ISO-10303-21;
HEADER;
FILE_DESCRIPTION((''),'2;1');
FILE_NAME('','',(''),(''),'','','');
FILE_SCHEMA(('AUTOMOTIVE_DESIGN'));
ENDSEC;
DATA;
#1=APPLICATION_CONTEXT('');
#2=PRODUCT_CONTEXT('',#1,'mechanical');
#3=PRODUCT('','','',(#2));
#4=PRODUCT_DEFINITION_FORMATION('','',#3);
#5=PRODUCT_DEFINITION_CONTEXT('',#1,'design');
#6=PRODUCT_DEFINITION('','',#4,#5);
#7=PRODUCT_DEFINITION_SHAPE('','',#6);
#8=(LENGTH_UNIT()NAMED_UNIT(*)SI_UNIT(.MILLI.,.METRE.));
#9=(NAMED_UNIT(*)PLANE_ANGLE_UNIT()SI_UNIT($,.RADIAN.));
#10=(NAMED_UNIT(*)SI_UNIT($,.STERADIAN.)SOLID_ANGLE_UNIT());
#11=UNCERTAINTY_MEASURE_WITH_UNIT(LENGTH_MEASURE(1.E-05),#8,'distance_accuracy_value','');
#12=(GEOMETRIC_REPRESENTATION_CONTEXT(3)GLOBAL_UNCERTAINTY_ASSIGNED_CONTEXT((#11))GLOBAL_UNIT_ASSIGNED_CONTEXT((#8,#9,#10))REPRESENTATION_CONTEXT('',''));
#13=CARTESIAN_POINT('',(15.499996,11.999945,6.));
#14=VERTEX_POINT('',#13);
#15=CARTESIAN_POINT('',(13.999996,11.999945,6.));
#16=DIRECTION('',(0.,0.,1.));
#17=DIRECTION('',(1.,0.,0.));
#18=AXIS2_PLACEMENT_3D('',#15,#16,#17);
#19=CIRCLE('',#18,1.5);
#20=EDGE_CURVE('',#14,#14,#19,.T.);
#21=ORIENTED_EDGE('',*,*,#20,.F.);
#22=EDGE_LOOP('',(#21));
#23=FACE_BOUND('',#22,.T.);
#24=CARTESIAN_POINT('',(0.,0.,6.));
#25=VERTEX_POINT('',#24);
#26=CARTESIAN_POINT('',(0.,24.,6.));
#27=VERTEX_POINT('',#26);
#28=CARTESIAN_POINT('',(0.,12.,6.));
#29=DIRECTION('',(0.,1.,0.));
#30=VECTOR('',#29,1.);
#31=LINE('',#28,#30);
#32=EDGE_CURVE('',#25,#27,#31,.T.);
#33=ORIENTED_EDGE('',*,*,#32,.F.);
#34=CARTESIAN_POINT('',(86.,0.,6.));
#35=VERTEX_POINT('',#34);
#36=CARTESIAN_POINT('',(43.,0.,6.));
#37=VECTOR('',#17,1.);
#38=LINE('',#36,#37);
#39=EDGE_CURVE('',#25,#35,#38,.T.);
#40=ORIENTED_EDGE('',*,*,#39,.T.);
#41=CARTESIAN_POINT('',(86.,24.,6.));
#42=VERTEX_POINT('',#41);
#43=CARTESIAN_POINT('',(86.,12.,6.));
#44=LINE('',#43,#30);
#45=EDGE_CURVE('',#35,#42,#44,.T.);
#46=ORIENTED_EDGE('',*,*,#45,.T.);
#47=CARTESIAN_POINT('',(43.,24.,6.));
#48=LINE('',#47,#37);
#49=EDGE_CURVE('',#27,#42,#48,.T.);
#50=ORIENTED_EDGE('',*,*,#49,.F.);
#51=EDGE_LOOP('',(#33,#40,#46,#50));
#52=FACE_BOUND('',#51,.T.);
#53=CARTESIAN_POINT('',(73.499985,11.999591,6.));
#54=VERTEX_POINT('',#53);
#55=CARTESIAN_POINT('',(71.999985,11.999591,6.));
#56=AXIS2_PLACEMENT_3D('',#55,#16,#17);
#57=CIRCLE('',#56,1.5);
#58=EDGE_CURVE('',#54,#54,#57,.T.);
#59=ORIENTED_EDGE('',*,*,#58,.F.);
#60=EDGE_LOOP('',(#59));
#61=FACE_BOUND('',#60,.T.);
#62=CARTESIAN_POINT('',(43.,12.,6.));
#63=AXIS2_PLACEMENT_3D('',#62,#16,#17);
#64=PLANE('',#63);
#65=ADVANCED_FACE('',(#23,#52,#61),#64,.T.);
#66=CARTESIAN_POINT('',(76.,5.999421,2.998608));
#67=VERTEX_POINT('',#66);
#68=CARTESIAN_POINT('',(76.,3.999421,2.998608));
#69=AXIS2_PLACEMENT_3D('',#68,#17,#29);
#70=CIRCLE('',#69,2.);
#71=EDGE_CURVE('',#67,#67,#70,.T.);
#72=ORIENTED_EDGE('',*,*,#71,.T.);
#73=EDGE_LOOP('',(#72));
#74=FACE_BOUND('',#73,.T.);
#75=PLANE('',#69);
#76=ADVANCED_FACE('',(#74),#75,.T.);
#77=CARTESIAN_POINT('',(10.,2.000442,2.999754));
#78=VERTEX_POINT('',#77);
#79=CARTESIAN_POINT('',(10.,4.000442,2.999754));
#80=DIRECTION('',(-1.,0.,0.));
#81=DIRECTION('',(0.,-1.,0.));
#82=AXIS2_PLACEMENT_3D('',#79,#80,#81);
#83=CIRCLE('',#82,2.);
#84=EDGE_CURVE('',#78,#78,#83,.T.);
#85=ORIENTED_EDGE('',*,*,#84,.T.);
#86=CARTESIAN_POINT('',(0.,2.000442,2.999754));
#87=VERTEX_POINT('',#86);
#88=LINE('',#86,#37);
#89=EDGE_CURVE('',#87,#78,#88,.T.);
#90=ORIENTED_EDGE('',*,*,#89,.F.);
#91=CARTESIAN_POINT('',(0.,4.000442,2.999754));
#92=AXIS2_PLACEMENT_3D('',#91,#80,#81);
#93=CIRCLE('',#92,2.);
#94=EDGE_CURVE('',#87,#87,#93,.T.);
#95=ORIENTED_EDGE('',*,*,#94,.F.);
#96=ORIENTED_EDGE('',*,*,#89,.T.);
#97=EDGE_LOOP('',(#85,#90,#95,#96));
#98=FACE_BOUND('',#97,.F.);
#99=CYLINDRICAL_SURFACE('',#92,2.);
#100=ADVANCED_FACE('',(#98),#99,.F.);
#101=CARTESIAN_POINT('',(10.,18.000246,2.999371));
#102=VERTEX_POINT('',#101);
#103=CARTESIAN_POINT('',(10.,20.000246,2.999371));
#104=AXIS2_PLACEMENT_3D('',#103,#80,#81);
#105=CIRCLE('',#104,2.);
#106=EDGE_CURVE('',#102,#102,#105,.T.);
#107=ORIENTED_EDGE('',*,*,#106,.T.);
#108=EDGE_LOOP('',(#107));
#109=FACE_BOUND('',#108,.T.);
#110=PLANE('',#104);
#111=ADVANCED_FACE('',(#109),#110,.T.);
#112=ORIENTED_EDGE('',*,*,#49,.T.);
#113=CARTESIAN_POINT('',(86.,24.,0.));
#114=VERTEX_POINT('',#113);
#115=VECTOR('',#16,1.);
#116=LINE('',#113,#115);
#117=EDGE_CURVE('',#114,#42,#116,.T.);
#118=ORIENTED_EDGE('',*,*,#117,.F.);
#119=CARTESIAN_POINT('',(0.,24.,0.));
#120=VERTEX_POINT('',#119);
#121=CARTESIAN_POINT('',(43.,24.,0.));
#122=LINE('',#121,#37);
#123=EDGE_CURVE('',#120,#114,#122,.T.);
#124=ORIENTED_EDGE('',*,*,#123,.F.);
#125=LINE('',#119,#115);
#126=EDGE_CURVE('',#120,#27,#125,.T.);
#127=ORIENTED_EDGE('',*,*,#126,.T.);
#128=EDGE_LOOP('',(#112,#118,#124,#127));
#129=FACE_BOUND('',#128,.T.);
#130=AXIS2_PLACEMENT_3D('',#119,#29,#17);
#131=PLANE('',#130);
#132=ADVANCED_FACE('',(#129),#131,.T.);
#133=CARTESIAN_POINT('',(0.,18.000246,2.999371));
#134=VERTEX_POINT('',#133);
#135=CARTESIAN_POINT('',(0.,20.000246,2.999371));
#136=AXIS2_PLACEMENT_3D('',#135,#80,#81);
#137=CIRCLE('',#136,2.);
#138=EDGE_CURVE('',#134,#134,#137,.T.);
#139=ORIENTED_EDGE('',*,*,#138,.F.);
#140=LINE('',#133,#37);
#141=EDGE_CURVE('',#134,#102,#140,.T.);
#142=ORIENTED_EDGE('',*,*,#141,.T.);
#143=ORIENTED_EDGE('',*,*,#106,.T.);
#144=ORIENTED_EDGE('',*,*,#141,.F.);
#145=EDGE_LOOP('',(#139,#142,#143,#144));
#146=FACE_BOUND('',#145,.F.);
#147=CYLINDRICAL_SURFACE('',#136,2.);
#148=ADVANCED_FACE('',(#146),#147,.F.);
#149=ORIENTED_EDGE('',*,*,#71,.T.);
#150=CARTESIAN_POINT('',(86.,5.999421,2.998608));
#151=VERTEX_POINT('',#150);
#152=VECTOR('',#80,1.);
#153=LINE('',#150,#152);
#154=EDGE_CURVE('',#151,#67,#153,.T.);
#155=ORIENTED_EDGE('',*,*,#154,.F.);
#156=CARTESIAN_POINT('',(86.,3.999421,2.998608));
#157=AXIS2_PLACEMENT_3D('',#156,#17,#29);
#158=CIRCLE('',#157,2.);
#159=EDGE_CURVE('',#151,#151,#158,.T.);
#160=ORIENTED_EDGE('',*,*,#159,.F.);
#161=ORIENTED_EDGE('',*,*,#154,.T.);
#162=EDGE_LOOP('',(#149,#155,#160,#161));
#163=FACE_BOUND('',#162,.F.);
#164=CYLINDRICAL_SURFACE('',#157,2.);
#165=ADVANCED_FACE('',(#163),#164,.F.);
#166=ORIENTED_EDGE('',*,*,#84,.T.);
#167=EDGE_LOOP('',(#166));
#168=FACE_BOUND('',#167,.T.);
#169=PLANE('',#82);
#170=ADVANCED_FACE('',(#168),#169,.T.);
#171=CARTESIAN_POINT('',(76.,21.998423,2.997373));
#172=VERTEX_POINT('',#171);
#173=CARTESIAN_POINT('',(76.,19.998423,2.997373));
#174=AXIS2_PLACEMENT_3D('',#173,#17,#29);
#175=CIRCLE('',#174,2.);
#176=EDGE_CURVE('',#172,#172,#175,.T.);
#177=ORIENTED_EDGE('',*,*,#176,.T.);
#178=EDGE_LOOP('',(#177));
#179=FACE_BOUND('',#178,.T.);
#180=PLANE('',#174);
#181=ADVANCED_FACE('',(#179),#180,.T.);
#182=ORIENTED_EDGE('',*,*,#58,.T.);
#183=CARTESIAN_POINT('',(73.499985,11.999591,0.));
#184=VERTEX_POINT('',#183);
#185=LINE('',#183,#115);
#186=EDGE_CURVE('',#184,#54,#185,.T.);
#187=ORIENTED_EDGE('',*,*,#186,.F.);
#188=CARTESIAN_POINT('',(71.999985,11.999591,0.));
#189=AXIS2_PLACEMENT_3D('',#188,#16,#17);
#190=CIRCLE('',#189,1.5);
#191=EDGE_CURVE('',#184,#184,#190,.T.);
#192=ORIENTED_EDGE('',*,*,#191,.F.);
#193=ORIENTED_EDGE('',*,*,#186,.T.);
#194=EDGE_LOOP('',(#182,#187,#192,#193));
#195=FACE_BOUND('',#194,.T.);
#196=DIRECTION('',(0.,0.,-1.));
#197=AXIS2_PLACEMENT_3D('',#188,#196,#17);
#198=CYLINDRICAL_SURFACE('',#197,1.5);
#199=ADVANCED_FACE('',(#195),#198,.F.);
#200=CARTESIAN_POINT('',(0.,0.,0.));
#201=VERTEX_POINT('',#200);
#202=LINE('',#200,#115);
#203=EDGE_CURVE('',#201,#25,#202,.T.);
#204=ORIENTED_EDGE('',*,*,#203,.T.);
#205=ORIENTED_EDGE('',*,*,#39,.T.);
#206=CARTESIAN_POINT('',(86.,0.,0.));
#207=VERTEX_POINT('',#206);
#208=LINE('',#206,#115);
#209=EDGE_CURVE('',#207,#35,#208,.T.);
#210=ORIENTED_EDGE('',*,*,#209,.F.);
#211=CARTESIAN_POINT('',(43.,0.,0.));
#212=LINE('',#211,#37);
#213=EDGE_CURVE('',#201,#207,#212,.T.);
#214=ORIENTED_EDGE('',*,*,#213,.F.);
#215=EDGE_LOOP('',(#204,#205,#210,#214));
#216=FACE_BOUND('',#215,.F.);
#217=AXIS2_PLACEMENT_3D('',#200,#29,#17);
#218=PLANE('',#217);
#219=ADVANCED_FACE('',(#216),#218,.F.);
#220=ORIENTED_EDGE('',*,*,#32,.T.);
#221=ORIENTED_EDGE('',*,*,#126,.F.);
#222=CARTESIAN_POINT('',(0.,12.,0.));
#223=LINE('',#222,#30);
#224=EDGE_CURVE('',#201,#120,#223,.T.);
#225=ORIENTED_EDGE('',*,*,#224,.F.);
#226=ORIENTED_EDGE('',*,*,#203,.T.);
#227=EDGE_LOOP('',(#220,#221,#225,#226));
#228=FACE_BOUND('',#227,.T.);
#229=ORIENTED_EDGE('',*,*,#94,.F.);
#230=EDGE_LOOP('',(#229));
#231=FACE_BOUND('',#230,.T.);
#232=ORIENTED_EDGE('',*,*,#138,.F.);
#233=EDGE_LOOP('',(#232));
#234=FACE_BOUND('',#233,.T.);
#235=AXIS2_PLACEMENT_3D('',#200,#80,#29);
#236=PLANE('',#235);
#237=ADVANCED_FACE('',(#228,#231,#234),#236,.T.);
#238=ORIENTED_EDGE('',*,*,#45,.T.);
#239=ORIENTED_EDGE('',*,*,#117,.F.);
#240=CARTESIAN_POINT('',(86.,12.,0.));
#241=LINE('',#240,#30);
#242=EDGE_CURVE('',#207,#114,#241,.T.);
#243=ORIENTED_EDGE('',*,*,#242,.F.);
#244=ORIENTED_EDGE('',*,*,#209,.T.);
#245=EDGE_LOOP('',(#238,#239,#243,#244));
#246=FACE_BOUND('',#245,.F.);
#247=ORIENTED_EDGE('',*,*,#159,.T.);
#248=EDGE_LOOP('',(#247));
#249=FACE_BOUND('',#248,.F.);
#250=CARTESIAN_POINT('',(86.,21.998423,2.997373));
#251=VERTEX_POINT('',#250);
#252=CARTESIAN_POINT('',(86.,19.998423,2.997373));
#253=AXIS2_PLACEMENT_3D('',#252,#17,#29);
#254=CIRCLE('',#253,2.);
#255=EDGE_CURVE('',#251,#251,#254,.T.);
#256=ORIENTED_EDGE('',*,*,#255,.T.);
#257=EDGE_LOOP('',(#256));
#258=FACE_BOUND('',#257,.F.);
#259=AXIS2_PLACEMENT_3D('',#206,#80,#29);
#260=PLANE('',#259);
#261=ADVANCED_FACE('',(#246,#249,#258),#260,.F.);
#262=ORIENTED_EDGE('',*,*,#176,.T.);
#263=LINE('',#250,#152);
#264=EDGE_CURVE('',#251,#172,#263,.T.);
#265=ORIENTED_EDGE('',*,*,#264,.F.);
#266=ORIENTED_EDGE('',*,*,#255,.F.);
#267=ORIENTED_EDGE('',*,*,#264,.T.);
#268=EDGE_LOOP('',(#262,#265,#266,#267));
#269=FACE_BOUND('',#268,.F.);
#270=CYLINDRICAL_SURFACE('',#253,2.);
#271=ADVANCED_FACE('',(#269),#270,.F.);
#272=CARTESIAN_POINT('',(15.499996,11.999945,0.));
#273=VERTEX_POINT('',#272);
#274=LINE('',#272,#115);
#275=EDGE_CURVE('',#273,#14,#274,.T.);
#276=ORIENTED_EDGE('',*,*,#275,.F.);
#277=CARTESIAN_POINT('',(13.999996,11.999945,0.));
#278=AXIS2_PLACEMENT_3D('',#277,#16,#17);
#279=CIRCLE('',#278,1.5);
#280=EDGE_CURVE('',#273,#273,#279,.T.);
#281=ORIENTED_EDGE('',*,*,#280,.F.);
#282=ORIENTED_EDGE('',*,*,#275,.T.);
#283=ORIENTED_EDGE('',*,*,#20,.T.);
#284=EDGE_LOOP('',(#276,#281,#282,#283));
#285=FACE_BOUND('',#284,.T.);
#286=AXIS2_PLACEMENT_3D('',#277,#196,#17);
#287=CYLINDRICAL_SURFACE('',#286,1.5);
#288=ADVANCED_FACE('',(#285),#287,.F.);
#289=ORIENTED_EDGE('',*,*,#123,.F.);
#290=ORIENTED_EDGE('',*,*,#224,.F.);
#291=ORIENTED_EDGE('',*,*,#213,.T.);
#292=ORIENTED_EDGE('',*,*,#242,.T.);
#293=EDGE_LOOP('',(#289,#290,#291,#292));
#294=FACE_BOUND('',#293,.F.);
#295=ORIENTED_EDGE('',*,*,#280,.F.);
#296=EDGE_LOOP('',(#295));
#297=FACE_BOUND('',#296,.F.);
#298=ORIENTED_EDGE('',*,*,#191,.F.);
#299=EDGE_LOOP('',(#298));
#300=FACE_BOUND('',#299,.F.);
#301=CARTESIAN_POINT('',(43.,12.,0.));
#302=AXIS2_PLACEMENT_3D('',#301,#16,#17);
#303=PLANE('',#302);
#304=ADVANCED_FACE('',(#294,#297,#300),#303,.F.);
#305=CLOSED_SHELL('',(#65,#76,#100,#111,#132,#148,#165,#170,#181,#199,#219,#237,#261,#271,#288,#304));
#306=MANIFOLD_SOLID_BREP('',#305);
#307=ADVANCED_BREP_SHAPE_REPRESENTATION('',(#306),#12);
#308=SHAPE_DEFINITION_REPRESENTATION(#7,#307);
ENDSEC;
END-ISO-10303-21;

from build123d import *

# Parameters (mm, degrees)
SKETCH_W        = 86
SKETCH_H        = 24
SKETCH_R        = 1.5
PAD_DEPTH       = 6
SKETCH002_R     = 2
POCKET_DEPTH    = 10
SKETCH003_R     = 2
POCKET001_DEPTH = 10


with BuildPart() as part:
    # Sketch → Pad (new body)
    with BuildSketch(Plane.XY):
        with Locations((43, 12)):
            Rectangle(SKETCH_W, SKETCH_H)
        with Locations((13.999996, 11.999945)):
            Circle(SKETCH_R, mode=Mode.SUBTRACT)
        with Locations((71.999985, 11.999591)):
            Circle(SKETCH_R, mode=Mode.SUBTRACT)
    extrude(amount=PAD_DEPTH)

    # Sketch002 (on Face2 of Pad) → Pocket (cut)
    with BuildSketch(Plane.YZ.offset(86)):
        with Locations((3.999421, 2.998608)):
            Circle(SKETCH002_R)
        with Locations((19.998423, 2.997373)):
            Circle(SKETCH002_R)
    extrude(amount=-POCKET_DEPTH, mode=Mode.SUBTRACT)

    # Sketch003 (on Face2 of Pocket) → Pocket001 (cut)
    with BuildSketch(Plane(origin=(0, 0, 0), x_dir=(0, -1, 0), z_dir=(-1, 0, 0))):
        with Locations((-4.000442, 2.999754)):
            Circle(SKETCH003_R)
        with Locations((-20.000246, 2.999371)):
            Circle(SKETCH003_R)
    extrude(amount=-POCKET001_DEPTH, mode=Mode.SUBTRACT)


solid = part.part
